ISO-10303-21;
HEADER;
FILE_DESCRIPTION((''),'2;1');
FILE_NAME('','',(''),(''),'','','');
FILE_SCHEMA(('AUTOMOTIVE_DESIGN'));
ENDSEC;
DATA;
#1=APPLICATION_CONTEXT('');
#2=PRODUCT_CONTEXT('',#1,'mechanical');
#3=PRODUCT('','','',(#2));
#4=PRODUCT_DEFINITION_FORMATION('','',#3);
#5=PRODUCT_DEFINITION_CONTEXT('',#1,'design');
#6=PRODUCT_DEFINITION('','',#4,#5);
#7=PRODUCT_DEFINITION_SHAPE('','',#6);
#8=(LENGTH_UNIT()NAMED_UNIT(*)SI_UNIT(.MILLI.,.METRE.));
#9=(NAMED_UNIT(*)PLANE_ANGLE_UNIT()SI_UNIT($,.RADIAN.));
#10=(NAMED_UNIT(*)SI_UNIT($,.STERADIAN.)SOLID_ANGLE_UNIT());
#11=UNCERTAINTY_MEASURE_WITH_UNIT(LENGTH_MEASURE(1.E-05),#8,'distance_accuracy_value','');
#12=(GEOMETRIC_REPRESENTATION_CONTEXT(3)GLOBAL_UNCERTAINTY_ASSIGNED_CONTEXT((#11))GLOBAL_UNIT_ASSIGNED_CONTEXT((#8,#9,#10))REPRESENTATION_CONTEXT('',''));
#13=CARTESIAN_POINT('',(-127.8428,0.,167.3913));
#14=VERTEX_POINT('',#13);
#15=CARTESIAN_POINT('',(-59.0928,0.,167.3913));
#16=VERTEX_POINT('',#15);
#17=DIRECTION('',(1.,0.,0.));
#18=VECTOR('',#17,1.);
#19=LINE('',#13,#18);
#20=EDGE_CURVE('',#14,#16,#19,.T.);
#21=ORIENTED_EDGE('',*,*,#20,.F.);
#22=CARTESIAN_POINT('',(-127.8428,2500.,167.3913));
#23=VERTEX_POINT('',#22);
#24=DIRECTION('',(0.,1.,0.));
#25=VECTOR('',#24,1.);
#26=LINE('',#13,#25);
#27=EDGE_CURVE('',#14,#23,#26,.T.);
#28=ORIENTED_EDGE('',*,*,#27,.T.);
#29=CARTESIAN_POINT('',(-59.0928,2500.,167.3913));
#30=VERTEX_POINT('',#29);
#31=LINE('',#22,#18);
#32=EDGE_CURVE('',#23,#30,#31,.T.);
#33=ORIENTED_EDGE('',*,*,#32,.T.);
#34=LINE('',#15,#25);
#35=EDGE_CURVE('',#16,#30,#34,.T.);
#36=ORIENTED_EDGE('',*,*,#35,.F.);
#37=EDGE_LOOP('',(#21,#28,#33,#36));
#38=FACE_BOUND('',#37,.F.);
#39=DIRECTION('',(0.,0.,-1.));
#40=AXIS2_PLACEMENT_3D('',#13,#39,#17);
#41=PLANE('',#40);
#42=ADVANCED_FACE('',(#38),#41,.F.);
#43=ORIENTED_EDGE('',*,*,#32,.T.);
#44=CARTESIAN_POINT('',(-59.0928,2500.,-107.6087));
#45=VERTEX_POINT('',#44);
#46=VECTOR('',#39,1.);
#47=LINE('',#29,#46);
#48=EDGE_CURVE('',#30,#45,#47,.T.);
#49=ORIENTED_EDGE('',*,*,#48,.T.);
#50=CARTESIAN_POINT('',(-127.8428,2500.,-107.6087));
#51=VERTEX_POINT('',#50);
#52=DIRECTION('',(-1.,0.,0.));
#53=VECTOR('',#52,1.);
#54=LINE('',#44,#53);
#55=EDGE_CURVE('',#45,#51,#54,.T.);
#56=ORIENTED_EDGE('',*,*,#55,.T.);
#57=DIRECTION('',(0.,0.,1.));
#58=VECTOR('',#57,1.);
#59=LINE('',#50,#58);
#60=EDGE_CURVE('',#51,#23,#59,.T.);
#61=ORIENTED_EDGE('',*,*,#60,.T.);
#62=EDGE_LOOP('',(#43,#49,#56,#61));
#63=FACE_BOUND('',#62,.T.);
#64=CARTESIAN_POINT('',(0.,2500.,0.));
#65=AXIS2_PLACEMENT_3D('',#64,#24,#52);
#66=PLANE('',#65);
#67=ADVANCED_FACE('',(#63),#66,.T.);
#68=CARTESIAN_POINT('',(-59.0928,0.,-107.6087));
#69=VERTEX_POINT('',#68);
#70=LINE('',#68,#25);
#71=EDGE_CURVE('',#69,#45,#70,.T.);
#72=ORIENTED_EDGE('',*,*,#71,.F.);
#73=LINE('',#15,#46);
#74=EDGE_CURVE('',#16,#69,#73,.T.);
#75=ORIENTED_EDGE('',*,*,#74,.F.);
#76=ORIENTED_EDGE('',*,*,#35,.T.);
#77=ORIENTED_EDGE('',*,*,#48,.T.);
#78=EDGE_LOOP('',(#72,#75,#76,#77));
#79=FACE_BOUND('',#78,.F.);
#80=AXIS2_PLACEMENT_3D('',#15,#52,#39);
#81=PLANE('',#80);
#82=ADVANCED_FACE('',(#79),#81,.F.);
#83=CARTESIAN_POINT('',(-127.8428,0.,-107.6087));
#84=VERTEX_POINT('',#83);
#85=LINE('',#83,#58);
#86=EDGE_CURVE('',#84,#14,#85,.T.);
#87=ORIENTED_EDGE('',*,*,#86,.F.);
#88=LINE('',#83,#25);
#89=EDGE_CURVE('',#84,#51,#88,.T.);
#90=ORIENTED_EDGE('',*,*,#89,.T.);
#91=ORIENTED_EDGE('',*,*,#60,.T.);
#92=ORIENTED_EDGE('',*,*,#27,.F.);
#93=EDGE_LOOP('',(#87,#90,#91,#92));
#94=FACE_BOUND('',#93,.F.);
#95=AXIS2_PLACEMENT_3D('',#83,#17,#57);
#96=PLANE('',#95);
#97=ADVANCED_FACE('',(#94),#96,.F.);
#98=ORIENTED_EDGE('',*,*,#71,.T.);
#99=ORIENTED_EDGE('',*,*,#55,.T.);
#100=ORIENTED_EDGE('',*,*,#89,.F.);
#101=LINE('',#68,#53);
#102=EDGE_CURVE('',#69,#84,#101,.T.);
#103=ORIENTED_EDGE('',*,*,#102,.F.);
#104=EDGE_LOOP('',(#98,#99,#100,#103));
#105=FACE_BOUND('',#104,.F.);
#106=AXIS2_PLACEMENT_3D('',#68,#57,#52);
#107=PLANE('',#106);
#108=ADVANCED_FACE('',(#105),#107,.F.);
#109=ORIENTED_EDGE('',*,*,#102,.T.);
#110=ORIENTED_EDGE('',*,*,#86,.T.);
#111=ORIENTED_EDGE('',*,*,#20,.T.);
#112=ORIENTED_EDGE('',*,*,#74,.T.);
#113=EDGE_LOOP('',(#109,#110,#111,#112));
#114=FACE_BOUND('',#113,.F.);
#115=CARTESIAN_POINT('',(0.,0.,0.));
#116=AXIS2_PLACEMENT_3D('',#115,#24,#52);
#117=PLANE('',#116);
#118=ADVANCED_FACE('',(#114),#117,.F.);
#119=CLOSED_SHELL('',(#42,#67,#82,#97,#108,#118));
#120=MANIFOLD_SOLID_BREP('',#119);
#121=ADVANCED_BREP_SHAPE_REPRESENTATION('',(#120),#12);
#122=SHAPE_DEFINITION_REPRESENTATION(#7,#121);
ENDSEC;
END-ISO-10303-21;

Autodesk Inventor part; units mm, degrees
ref_plane "YZ Plane" through (0, 0, 0) normal (1, 0, 0) x (0, 1, 0)
ref_plane "XZ Plane" through (0, 0, 0) normal (0, 1, 0) x (-1, 0, 0)
ref_plane "XY Plane" through (0, 0, 0) normal (0, 0, 1) x (1, 0, 0)
sketch "Sketch1" plane through (0, 0, 0) normal (0, 1, 0) x (-1, 0, 0)
  line L0 (127.8428, 167.3913) -> (59.0928, 167.3913)
  line L1 (59.0928, 167.3913) -> (59.0928, -107.6087)
  line L2 (59.0928, -107.6087) -> (127.8428, -107.6087)
  line L3 (127.8428, -107.6087) -> (127.8428, 167.3913)
  point P0 (0, 0)
  dimension "d0" = 275
  dimension "d1" = 68.75
extrude "Extrusion1" add sketch "Sketch1" along normal blind 2500
equation "\"d1\" = 0.25 * d0"
properties part number "pull Up beams" material "Wood (Oak)"
